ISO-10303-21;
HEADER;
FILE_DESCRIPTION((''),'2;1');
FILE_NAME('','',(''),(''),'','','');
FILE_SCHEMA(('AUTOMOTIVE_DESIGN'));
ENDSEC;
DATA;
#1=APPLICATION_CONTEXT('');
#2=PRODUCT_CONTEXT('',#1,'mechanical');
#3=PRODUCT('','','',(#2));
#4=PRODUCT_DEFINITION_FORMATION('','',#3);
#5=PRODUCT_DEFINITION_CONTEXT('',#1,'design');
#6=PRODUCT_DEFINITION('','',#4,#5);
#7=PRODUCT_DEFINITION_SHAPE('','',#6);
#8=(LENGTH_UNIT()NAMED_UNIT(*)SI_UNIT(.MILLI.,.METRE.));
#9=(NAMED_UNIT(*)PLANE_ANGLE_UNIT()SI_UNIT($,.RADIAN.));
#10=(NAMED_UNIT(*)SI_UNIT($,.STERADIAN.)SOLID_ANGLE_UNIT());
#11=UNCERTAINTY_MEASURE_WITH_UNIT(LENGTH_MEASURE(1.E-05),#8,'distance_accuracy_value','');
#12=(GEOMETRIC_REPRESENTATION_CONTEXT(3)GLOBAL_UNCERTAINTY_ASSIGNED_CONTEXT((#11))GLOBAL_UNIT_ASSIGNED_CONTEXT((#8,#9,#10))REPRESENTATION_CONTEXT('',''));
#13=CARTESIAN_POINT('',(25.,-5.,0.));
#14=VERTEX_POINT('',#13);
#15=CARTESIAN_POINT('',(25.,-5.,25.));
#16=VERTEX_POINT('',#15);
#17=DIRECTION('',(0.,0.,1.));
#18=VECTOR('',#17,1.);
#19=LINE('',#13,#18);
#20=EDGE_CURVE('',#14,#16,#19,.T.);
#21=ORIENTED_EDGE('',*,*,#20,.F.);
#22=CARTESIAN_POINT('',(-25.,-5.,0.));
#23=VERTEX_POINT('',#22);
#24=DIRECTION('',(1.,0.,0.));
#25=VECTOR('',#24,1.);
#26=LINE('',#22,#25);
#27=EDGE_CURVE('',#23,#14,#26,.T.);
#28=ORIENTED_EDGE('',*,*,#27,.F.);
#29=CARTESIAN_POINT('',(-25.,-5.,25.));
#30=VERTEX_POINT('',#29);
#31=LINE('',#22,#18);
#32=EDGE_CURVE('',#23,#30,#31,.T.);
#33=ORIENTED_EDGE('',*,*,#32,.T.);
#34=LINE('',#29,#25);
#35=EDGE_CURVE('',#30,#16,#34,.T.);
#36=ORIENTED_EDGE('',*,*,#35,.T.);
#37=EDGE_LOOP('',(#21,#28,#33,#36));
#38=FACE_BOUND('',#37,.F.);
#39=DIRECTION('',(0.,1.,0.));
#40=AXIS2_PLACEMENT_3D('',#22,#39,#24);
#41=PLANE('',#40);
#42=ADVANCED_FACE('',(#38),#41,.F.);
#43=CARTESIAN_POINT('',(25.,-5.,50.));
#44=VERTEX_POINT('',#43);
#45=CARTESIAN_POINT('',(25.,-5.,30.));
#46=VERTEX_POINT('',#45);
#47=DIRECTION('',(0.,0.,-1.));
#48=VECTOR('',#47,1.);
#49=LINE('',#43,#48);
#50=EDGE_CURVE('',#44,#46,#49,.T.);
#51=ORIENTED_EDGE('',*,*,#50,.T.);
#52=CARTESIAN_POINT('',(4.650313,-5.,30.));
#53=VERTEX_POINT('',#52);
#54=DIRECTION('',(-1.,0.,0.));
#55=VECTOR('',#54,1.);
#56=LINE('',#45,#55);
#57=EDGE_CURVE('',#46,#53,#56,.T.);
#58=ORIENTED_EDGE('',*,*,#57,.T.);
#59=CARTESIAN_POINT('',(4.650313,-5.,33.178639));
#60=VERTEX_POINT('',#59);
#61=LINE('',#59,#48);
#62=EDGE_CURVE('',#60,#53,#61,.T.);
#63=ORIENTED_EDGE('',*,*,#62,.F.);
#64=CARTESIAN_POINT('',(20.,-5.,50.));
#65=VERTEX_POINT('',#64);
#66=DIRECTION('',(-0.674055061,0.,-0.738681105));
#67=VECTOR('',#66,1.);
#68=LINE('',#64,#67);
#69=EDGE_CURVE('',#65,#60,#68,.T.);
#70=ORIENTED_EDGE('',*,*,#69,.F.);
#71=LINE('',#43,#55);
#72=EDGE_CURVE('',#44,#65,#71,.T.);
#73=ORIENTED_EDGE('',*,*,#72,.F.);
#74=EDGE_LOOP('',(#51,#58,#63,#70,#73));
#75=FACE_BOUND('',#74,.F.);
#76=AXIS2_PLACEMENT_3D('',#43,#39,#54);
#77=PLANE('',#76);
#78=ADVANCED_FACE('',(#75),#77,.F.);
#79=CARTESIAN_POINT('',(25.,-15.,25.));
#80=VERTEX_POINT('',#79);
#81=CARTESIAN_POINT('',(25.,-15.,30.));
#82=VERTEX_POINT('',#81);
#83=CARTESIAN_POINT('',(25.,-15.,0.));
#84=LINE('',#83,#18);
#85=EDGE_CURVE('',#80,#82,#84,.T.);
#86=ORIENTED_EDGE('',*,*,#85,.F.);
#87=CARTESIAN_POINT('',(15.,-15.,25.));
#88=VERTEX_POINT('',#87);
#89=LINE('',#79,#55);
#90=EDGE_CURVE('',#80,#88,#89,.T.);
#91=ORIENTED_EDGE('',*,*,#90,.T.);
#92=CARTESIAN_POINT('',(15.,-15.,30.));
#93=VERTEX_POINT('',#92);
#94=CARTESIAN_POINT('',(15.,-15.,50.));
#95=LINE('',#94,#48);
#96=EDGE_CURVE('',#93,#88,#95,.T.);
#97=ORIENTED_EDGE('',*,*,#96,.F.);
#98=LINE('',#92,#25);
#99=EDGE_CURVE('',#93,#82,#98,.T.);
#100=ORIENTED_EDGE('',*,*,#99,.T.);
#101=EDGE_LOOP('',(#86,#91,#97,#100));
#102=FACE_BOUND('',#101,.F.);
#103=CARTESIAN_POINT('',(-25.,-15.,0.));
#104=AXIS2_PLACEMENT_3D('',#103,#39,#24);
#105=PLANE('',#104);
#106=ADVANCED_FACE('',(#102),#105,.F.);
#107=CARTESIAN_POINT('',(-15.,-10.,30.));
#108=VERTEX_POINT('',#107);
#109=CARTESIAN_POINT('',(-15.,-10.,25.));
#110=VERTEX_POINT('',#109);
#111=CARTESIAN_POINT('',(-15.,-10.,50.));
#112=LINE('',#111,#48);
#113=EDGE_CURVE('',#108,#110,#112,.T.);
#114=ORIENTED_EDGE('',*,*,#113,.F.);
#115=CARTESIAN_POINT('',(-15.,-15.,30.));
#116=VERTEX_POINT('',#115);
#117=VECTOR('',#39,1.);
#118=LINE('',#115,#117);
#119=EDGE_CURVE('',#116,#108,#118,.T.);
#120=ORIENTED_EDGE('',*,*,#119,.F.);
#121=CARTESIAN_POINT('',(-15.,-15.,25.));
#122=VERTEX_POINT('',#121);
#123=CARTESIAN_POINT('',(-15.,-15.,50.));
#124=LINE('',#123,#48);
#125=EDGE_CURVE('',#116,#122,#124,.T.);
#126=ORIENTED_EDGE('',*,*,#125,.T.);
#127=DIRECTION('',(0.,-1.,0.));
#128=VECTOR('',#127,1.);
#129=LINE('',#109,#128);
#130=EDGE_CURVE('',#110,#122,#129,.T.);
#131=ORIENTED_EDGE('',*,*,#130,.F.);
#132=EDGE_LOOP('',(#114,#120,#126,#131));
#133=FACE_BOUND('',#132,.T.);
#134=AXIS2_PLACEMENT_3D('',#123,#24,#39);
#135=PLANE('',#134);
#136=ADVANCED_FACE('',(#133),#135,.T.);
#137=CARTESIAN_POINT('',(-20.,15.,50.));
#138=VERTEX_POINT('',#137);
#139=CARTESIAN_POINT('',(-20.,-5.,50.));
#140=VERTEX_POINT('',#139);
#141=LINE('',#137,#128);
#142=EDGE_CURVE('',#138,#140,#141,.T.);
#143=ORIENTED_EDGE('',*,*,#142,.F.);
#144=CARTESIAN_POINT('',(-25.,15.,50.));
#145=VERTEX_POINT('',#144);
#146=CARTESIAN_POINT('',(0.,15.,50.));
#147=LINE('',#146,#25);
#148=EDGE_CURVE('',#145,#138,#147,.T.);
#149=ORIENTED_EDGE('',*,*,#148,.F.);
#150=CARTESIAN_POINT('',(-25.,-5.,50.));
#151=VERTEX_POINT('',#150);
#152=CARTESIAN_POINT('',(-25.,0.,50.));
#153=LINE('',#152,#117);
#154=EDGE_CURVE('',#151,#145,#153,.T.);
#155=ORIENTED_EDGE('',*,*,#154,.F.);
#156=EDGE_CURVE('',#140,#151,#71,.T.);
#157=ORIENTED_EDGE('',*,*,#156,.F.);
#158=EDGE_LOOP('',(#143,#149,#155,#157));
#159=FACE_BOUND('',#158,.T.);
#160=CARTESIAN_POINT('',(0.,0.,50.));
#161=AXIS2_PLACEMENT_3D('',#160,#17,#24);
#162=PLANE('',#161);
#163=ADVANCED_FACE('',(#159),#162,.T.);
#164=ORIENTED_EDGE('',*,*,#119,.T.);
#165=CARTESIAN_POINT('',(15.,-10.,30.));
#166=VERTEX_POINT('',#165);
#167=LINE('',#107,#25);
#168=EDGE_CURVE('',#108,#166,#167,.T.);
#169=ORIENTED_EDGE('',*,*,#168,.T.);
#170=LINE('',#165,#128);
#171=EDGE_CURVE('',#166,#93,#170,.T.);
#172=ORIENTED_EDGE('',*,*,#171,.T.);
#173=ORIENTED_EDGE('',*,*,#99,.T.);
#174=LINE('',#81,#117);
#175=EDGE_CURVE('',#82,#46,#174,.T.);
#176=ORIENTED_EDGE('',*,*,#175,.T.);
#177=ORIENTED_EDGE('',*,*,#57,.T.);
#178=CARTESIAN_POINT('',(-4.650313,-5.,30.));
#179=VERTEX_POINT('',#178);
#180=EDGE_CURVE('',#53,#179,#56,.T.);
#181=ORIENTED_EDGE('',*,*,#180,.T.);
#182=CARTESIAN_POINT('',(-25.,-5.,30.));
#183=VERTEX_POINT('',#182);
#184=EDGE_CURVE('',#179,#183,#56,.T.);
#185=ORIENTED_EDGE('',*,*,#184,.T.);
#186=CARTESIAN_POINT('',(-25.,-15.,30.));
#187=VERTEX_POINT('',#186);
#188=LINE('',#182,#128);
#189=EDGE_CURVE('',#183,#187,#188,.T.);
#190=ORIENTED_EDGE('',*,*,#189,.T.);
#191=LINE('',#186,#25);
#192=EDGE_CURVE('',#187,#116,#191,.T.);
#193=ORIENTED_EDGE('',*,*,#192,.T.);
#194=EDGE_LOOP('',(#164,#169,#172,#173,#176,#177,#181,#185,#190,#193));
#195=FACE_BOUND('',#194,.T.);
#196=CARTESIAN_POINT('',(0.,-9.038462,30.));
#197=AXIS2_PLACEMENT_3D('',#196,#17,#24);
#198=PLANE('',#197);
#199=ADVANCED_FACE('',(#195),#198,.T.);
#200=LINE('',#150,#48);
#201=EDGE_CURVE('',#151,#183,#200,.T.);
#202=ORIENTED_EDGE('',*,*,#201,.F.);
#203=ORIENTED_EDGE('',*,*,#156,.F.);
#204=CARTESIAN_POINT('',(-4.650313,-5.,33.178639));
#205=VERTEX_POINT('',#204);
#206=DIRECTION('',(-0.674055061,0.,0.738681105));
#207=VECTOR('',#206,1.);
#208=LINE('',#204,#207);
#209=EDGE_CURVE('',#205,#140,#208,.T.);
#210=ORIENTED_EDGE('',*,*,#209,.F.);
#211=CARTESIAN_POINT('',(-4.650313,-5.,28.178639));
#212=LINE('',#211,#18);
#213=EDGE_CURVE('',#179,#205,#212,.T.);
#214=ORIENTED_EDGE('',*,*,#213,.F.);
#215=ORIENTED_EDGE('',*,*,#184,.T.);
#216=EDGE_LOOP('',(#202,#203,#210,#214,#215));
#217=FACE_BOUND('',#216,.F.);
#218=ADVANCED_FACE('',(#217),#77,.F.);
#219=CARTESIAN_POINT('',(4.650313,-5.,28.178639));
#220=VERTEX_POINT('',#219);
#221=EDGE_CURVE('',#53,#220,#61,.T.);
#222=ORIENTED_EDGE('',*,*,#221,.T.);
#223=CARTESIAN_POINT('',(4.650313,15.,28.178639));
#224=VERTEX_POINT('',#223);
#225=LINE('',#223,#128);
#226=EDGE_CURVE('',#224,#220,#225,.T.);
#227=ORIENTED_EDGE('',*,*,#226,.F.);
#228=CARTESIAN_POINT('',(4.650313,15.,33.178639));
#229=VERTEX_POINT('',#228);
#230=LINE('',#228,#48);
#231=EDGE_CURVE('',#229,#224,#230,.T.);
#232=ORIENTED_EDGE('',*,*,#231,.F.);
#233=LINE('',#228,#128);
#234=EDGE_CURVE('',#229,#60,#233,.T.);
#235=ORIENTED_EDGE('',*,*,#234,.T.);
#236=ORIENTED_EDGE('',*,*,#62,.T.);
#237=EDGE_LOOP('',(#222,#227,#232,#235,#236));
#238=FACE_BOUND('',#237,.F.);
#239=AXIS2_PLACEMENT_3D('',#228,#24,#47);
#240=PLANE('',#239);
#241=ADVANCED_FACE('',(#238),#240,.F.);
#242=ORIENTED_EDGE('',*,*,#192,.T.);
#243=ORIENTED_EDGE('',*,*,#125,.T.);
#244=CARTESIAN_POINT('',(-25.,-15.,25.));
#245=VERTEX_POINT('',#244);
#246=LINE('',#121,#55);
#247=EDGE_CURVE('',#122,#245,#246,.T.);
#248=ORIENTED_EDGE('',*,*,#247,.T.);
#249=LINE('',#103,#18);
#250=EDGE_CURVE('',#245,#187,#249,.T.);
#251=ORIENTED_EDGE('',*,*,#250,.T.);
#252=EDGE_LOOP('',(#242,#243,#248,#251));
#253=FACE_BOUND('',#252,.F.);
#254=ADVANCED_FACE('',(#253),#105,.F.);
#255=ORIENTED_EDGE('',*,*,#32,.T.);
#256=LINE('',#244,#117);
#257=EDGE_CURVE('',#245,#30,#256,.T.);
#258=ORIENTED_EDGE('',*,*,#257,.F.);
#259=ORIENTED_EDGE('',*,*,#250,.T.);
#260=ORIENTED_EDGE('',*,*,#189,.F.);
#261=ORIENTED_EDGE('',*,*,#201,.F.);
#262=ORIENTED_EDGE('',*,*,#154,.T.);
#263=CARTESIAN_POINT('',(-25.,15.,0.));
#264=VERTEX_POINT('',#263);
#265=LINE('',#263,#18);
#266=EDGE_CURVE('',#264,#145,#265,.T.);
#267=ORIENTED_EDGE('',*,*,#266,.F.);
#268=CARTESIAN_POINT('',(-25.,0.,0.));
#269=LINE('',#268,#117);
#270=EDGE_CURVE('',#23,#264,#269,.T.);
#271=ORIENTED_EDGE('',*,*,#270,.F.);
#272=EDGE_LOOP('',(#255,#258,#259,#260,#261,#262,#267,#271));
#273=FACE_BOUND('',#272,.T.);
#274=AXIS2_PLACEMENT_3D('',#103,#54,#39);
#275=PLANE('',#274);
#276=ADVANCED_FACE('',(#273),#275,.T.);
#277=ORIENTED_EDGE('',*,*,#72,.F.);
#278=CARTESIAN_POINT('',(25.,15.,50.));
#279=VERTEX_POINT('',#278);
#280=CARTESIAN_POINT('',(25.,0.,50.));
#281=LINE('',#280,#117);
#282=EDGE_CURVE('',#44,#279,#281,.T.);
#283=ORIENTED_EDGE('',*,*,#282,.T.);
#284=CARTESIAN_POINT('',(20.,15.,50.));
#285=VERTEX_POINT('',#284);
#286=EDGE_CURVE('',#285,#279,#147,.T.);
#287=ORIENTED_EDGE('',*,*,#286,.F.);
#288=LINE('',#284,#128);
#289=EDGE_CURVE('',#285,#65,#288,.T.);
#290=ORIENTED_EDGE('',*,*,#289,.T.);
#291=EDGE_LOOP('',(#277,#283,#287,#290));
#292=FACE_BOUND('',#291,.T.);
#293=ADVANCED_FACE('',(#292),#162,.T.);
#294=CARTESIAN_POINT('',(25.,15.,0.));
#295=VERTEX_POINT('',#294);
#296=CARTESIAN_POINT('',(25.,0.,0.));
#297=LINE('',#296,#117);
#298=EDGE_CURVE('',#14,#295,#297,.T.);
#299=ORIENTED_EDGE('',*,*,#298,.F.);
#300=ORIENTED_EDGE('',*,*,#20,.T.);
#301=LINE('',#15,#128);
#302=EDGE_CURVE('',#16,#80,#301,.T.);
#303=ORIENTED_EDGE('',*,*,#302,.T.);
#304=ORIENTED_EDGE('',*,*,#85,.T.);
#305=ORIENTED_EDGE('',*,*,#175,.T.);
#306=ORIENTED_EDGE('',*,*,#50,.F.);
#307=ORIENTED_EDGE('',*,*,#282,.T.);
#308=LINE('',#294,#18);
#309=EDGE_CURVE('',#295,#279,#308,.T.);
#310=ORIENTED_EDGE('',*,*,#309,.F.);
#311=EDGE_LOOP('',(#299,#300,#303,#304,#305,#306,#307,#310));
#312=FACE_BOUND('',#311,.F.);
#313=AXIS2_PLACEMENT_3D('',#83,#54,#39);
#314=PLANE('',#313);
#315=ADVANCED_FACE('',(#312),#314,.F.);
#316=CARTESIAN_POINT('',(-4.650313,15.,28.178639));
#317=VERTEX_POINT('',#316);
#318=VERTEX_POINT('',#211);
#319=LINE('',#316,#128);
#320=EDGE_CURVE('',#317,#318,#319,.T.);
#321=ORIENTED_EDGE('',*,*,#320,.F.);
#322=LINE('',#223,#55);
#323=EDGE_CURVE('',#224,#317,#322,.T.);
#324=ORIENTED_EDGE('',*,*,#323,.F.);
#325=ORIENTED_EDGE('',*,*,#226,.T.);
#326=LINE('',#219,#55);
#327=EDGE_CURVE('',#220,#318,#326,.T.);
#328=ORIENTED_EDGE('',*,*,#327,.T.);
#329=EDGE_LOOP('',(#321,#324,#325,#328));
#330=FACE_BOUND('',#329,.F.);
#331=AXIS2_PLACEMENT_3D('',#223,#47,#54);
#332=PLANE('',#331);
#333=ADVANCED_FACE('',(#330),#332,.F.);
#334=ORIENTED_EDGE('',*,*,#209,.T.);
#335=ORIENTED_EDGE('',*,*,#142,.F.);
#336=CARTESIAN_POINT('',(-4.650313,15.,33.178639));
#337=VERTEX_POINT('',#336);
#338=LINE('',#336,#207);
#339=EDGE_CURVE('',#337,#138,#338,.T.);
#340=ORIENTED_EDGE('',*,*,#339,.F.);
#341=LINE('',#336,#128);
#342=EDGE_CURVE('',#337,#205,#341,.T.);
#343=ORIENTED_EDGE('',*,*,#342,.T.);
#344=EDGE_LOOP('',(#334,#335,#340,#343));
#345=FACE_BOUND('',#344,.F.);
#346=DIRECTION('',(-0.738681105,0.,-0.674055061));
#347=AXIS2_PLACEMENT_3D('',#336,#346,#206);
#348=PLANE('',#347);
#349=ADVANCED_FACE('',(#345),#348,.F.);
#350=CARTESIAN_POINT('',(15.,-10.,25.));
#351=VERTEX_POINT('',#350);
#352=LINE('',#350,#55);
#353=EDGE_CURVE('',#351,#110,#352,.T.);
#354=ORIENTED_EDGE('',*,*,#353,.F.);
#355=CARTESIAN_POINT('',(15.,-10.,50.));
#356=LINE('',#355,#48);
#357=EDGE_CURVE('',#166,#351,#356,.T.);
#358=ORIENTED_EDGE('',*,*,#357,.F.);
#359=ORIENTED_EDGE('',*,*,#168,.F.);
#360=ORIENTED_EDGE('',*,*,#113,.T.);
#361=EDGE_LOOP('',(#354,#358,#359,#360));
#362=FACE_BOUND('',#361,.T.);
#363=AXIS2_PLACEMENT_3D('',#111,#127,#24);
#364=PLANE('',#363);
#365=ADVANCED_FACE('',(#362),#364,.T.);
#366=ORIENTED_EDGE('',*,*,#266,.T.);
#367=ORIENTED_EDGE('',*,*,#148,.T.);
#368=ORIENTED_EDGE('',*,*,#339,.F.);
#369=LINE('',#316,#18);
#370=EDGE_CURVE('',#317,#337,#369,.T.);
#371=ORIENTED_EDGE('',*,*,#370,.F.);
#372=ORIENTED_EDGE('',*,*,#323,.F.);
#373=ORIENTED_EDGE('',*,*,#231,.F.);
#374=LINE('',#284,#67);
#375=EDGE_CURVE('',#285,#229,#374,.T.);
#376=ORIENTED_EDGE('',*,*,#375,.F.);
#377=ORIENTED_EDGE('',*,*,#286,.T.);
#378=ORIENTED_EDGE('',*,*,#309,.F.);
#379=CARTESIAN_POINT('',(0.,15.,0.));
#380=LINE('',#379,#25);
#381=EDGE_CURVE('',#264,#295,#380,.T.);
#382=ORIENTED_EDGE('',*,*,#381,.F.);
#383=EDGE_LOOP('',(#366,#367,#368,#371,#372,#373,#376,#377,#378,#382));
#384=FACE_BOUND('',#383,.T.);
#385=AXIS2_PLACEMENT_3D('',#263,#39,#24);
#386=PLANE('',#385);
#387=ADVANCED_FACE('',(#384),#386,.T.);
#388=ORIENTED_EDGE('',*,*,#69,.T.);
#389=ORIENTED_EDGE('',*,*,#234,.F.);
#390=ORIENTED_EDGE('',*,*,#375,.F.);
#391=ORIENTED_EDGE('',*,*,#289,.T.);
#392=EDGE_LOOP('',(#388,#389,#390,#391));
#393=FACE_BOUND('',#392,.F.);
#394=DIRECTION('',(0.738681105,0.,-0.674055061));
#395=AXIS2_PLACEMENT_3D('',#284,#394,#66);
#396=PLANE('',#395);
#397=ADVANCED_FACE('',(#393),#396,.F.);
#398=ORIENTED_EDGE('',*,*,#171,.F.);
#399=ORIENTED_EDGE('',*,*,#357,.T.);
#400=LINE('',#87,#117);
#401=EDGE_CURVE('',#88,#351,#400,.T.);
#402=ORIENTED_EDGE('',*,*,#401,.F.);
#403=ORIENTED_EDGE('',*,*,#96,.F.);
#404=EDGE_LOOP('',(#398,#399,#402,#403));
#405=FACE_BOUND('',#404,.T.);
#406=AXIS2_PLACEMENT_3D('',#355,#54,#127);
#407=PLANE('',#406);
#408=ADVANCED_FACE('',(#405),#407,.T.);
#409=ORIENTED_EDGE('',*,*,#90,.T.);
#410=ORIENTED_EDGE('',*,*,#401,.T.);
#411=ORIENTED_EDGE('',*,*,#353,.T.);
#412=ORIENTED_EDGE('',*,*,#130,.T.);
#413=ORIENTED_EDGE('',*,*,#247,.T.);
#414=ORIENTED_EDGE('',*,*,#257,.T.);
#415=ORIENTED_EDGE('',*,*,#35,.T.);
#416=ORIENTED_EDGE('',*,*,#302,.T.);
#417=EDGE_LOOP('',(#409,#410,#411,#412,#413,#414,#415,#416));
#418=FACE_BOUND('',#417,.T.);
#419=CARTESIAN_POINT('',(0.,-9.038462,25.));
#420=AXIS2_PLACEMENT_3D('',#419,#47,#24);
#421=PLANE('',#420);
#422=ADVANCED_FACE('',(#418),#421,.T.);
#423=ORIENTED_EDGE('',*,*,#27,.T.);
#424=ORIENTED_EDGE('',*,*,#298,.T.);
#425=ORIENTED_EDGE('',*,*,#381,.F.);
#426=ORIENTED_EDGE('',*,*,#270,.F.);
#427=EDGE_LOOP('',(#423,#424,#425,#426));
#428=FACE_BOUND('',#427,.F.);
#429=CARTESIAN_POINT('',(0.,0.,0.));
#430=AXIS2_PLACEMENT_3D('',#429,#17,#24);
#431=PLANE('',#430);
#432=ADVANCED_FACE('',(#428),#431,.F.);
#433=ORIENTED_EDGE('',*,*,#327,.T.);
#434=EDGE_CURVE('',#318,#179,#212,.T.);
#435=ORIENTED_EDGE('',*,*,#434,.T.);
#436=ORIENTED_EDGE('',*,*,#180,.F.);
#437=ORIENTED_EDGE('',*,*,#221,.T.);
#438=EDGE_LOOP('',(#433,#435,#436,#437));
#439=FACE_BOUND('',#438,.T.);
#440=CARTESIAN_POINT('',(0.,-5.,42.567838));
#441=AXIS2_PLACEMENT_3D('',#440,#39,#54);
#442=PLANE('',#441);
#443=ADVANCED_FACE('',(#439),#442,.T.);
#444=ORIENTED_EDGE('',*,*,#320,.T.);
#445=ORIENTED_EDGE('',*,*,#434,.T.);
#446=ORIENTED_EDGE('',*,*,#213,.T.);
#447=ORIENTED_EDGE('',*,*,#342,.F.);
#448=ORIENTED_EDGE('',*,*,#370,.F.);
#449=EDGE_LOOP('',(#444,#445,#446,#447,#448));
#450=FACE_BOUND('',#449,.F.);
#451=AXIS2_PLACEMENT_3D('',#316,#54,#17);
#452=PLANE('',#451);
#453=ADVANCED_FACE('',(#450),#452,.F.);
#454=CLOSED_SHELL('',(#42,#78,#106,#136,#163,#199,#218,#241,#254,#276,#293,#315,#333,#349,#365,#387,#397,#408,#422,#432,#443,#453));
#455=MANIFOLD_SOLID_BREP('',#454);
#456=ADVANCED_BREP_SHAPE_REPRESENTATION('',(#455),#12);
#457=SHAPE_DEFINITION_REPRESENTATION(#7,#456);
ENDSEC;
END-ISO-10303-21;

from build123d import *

# Parameters (mm, degrees)
F0_W     = 50
F0_H     = 30
F1_DEPTH = 50
F3_DEPTH = 20
F4_DEPTH = 50.001
F6_DEPTH = 25
F8_DEPTH = 20


with BuildPart() as f1:
    # F0 (on Top) → F1 (new body)
    with BuildSketch(Plane.XY):
        Rectangle(F0_W, F0_H)
    extrude(amount=F1_DEPTH)

    # F2 (on face) → F3 (cut)
    with BuildSketch(Plane.XY.offset(50)):
        Polygon((-25, -15), (-15, -15), (-15, -10), (15, -10), (15, -15), (25, -15), (25, -5), (-25, -5), align=None)
    extrude(amount=-F3_DEPTH, mode=Mode.SUBTRACT)

    # F4 (cut, through all): a face of the model
    f4_faces = [f1.faces().sort_by_distance(p)[0] for p in [
        (0, -12.5, 50),
    ]]
    extrude(f4_faces, amount=-F4_DEPTH, mode=Mode.SUBTRACT)

    # F5 (on face) → F6 (cut)
    with BuildSketch(Plane(origin=(0, 0, 0), x_dir=(1, 0, 0), z_dir=(0, 0, -1))):
        Polygon((-25, 15), (-25, 5), (25, 5), (25, 15), (15, 15), (15, 10), (-15, 10), (-15, 15), align=None)
    extrude(amount=-F6_DEPTH, mode=Mode.SUBTRACT)

    # F7 (on face) → F8 (cut)
    with BuildSketch(Plane(origin=(0, 15, 0), x_dir=(-1, 0, 0), z_dir=(0, 1, 0))):
        Polygon((-4.6503130347, 33.1786386669), (-4.6503130347, 28.1786386669), (4.6503130347, 28.1786386669), (4.6503130347, 33.1786386669), (20, 50), (-20, 50), align=None)
    extrude(amount=-F8_DEPTH, mode=Mode.SUBTRACT)


solid = f1.part
